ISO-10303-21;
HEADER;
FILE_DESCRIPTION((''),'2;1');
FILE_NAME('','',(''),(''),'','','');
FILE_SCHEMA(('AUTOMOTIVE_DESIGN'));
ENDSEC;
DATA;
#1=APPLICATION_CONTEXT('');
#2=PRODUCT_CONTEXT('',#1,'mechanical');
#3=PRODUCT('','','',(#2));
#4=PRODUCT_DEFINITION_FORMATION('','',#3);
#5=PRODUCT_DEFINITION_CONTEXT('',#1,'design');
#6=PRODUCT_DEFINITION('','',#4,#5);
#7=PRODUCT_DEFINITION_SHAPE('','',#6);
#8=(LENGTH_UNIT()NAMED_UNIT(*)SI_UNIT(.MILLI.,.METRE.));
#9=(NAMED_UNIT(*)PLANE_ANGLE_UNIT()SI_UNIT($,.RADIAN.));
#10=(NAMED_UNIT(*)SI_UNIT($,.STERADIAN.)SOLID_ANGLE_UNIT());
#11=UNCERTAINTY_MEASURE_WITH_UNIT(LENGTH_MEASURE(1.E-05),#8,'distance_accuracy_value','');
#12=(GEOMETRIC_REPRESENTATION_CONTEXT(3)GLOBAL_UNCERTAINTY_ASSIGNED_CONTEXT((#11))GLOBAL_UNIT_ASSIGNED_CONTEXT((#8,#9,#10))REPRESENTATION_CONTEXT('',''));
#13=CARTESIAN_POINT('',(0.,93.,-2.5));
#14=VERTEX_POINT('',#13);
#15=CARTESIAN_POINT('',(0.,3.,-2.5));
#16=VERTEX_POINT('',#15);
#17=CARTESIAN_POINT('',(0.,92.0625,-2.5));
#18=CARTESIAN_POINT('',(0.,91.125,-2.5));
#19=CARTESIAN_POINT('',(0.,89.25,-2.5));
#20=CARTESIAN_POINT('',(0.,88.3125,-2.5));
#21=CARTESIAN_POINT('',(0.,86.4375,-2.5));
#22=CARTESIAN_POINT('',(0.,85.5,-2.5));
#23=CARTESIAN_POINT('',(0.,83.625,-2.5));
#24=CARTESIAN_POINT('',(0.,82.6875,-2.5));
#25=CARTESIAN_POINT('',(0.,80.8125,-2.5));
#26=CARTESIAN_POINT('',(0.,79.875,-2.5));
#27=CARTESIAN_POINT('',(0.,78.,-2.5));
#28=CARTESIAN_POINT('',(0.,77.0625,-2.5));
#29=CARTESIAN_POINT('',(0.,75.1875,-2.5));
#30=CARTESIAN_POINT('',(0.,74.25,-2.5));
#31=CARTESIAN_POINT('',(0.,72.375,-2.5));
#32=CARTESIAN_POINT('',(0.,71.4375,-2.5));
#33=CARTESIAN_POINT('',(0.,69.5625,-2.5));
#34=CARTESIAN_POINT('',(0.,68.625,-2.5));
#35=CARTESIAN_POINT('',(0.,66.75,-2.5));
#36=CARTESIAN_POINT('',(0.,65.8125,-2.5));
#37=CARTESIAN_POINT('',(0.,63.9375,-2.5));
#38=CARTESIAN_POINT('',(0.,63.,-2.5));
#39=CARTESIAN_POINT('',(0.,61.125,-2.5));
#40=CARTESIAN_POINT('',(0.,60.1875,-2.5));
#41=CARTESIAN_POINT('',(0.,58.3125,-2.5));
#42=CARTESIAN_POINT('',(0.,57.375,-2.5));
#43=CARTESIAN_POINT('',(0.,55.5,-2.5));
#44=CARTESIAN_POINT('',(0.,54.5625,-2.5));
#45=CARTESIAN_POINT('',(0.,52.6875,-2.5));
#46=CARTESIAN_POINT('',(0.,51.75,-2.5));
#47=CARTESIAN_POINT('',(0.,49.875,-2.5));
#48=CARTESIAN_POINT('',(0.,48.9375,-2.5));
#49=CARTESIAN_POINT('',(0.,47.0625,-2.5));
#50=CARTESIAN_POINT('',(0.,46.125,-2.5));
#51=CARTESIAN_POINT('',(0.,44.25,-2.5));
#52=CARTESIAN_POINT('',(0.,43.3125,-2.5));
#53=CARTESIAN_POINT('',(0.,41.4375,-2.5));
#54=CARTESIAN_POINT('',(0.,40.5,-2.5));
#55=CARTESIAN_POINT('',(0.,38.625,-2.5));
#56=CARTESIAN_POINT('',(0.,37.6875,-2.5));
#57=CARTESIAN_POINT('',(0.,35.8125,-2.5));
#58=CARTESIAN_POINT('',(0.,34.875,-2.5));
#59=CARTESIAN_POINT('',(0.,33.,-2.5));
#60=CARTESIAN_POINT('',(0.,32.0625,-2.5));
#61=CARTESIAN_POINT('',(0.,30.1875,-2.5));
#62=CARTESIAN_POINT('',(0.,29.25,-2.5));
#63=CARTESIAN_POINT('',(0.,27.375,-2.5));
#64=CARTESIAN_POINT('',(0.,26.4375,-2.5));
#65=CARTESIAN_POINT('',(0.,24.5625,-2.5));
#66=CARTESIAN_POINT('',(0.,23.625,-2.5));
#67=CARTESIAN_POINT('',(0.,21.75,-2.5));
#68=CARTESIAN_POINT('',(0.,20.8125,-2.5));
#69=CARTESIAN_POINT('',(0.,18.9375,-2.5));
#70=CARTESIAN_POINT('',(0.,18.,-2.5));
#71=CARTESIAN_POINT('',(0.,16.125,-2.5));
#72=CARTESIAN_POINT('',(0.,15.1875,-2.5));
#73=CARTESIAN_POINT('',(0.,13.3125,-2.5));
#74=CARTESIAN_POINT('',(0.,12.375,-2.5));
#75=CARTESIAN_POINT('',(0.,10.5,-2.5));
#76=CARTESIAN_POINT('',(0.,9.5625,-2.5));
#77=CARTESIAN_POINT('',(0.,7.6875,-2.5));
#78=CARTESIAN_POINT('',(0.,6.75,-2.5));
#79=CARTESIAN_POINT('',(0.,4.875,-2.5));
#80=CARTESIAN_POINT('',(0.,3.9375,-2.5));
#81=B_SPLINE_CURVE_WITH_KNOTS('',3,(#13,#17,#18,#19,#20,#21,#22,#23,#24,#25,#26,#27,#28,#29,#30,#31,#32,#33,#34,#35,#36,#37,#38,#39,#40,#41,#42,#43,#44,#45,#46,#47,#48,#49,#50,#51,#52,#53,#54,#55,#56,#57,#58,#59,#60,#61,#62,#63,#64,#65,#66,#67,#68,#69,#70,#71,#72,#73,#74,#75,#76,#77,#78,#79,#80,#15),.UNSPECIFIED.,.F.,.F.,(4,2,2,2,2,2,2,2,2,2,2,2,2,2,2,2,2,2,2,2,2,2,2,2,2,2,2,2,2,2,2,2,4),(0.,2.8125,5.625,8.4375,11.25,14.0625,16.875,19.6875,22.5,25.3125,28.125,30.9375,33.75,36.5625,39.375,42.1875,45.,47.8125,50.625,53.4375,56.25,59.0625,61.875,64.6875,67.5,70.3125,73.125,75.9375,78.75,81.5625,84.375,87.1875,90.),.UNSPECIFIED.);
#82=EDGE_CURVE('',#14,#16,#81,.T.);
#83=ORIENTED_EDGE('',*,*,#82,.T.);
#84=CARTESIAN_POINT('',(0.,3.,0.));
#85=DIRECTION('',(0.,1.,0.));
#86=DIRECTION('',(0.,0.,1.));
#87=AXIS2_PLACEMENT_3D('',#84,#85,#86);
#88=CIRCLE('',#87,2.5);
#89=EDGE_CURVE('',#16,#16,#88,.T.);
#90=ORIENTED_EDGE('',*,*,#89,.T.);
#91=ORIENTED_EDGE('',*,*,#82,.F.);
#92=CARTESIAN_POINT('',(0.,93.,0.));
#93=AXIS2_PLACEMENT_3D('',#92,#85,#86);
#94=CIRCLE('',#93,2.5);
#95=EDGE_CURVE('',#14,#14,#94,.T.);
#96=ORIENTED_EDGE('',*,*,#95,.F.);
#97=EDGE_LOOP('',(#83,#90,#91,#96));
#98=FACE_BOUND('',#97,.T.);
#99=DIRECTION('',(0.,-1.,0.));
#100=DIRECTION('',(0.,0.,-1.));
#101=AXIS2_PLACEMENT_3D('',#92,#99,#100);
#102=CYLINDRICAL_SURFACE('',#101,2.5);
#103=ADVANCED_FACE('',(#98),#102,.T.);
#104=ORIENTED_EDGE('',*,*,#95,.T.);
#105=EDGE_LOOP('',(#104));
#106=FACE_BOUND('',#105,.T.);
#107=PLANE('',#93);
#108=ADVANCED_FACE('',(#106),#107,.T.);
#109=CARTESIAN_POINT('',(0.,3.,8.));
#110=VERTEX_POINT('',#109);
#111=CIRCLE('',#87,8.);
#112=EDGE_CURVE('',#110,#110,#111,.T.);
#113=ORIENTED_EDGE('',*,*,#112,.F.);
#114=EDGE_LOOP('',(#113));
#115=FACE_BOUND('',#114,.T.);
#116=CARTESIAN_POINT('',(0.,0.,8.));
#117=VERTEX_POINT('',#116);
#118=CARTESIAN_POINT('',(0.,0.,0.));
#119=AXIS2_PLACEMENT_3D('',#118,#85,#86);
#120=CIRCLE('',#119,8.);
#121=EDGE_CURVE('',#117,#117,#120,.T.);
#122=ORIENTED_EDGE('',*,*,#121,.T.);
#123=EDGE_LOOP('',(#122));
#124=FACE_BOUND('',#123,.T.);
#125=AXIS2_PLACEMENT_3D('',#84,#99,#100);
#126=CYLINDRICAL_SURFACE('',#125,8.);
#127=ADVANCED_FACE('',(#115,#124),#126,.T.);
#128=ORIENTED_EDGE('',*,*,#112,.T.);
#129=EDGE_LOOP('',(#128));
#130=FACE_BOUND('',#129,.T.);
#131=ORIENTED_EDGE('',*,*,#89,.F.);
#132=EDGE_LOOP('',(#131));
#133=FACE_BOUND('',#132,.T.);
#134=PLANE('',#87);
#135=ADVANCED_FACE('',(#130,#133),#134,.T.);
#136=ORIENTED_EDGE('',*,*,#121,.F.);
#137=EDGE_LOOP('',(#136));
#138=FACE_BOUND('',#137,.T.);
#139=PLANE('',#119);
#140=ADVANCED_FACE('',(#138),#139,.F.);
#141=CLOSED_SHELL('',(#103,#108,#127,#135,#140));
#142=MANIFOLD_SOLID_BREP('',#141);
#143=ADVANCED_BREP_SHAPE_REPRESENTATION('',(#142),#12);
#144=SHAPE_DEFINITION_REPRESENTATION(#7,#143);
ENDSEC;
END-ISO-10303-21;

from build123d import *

# Parameters (mm, degrees)
SKETCH_1_R      = 8
EXTRUDE_1_DEPTH = 3
SKETCH_2_R      = 2.5
EXTRUDE_2_DEPTH = 90


with BuildPart() as part:
    # 草图1 → 凸台-拉伸1 (new body)
    with BuildSketch(Plane(origin=(0, 0, 0), x_dir=(1, 0, 0), z_dir=(0, 1, 0))):
        with Locations(Location((0, 0, 0), (0, 0, 270))):
            Circle(SKETCH_1_R)
    extrude(amount=EXTRUDE_1_DEPTH)

    # 草图2 → 凸台-拉伸2 (add)
    with BuildSketch(Plane(origin=(0, 3, 0), x_dir=(1, 0, 0), z_dir=(0, 1, 0))):
        with Locations(Location((0, 0, 0), (0, 0, 90))):
            Circle(SKETCH_2_R)
    extrude(amount=EXTRUDE_2_DEPTH)


solid = part.part
